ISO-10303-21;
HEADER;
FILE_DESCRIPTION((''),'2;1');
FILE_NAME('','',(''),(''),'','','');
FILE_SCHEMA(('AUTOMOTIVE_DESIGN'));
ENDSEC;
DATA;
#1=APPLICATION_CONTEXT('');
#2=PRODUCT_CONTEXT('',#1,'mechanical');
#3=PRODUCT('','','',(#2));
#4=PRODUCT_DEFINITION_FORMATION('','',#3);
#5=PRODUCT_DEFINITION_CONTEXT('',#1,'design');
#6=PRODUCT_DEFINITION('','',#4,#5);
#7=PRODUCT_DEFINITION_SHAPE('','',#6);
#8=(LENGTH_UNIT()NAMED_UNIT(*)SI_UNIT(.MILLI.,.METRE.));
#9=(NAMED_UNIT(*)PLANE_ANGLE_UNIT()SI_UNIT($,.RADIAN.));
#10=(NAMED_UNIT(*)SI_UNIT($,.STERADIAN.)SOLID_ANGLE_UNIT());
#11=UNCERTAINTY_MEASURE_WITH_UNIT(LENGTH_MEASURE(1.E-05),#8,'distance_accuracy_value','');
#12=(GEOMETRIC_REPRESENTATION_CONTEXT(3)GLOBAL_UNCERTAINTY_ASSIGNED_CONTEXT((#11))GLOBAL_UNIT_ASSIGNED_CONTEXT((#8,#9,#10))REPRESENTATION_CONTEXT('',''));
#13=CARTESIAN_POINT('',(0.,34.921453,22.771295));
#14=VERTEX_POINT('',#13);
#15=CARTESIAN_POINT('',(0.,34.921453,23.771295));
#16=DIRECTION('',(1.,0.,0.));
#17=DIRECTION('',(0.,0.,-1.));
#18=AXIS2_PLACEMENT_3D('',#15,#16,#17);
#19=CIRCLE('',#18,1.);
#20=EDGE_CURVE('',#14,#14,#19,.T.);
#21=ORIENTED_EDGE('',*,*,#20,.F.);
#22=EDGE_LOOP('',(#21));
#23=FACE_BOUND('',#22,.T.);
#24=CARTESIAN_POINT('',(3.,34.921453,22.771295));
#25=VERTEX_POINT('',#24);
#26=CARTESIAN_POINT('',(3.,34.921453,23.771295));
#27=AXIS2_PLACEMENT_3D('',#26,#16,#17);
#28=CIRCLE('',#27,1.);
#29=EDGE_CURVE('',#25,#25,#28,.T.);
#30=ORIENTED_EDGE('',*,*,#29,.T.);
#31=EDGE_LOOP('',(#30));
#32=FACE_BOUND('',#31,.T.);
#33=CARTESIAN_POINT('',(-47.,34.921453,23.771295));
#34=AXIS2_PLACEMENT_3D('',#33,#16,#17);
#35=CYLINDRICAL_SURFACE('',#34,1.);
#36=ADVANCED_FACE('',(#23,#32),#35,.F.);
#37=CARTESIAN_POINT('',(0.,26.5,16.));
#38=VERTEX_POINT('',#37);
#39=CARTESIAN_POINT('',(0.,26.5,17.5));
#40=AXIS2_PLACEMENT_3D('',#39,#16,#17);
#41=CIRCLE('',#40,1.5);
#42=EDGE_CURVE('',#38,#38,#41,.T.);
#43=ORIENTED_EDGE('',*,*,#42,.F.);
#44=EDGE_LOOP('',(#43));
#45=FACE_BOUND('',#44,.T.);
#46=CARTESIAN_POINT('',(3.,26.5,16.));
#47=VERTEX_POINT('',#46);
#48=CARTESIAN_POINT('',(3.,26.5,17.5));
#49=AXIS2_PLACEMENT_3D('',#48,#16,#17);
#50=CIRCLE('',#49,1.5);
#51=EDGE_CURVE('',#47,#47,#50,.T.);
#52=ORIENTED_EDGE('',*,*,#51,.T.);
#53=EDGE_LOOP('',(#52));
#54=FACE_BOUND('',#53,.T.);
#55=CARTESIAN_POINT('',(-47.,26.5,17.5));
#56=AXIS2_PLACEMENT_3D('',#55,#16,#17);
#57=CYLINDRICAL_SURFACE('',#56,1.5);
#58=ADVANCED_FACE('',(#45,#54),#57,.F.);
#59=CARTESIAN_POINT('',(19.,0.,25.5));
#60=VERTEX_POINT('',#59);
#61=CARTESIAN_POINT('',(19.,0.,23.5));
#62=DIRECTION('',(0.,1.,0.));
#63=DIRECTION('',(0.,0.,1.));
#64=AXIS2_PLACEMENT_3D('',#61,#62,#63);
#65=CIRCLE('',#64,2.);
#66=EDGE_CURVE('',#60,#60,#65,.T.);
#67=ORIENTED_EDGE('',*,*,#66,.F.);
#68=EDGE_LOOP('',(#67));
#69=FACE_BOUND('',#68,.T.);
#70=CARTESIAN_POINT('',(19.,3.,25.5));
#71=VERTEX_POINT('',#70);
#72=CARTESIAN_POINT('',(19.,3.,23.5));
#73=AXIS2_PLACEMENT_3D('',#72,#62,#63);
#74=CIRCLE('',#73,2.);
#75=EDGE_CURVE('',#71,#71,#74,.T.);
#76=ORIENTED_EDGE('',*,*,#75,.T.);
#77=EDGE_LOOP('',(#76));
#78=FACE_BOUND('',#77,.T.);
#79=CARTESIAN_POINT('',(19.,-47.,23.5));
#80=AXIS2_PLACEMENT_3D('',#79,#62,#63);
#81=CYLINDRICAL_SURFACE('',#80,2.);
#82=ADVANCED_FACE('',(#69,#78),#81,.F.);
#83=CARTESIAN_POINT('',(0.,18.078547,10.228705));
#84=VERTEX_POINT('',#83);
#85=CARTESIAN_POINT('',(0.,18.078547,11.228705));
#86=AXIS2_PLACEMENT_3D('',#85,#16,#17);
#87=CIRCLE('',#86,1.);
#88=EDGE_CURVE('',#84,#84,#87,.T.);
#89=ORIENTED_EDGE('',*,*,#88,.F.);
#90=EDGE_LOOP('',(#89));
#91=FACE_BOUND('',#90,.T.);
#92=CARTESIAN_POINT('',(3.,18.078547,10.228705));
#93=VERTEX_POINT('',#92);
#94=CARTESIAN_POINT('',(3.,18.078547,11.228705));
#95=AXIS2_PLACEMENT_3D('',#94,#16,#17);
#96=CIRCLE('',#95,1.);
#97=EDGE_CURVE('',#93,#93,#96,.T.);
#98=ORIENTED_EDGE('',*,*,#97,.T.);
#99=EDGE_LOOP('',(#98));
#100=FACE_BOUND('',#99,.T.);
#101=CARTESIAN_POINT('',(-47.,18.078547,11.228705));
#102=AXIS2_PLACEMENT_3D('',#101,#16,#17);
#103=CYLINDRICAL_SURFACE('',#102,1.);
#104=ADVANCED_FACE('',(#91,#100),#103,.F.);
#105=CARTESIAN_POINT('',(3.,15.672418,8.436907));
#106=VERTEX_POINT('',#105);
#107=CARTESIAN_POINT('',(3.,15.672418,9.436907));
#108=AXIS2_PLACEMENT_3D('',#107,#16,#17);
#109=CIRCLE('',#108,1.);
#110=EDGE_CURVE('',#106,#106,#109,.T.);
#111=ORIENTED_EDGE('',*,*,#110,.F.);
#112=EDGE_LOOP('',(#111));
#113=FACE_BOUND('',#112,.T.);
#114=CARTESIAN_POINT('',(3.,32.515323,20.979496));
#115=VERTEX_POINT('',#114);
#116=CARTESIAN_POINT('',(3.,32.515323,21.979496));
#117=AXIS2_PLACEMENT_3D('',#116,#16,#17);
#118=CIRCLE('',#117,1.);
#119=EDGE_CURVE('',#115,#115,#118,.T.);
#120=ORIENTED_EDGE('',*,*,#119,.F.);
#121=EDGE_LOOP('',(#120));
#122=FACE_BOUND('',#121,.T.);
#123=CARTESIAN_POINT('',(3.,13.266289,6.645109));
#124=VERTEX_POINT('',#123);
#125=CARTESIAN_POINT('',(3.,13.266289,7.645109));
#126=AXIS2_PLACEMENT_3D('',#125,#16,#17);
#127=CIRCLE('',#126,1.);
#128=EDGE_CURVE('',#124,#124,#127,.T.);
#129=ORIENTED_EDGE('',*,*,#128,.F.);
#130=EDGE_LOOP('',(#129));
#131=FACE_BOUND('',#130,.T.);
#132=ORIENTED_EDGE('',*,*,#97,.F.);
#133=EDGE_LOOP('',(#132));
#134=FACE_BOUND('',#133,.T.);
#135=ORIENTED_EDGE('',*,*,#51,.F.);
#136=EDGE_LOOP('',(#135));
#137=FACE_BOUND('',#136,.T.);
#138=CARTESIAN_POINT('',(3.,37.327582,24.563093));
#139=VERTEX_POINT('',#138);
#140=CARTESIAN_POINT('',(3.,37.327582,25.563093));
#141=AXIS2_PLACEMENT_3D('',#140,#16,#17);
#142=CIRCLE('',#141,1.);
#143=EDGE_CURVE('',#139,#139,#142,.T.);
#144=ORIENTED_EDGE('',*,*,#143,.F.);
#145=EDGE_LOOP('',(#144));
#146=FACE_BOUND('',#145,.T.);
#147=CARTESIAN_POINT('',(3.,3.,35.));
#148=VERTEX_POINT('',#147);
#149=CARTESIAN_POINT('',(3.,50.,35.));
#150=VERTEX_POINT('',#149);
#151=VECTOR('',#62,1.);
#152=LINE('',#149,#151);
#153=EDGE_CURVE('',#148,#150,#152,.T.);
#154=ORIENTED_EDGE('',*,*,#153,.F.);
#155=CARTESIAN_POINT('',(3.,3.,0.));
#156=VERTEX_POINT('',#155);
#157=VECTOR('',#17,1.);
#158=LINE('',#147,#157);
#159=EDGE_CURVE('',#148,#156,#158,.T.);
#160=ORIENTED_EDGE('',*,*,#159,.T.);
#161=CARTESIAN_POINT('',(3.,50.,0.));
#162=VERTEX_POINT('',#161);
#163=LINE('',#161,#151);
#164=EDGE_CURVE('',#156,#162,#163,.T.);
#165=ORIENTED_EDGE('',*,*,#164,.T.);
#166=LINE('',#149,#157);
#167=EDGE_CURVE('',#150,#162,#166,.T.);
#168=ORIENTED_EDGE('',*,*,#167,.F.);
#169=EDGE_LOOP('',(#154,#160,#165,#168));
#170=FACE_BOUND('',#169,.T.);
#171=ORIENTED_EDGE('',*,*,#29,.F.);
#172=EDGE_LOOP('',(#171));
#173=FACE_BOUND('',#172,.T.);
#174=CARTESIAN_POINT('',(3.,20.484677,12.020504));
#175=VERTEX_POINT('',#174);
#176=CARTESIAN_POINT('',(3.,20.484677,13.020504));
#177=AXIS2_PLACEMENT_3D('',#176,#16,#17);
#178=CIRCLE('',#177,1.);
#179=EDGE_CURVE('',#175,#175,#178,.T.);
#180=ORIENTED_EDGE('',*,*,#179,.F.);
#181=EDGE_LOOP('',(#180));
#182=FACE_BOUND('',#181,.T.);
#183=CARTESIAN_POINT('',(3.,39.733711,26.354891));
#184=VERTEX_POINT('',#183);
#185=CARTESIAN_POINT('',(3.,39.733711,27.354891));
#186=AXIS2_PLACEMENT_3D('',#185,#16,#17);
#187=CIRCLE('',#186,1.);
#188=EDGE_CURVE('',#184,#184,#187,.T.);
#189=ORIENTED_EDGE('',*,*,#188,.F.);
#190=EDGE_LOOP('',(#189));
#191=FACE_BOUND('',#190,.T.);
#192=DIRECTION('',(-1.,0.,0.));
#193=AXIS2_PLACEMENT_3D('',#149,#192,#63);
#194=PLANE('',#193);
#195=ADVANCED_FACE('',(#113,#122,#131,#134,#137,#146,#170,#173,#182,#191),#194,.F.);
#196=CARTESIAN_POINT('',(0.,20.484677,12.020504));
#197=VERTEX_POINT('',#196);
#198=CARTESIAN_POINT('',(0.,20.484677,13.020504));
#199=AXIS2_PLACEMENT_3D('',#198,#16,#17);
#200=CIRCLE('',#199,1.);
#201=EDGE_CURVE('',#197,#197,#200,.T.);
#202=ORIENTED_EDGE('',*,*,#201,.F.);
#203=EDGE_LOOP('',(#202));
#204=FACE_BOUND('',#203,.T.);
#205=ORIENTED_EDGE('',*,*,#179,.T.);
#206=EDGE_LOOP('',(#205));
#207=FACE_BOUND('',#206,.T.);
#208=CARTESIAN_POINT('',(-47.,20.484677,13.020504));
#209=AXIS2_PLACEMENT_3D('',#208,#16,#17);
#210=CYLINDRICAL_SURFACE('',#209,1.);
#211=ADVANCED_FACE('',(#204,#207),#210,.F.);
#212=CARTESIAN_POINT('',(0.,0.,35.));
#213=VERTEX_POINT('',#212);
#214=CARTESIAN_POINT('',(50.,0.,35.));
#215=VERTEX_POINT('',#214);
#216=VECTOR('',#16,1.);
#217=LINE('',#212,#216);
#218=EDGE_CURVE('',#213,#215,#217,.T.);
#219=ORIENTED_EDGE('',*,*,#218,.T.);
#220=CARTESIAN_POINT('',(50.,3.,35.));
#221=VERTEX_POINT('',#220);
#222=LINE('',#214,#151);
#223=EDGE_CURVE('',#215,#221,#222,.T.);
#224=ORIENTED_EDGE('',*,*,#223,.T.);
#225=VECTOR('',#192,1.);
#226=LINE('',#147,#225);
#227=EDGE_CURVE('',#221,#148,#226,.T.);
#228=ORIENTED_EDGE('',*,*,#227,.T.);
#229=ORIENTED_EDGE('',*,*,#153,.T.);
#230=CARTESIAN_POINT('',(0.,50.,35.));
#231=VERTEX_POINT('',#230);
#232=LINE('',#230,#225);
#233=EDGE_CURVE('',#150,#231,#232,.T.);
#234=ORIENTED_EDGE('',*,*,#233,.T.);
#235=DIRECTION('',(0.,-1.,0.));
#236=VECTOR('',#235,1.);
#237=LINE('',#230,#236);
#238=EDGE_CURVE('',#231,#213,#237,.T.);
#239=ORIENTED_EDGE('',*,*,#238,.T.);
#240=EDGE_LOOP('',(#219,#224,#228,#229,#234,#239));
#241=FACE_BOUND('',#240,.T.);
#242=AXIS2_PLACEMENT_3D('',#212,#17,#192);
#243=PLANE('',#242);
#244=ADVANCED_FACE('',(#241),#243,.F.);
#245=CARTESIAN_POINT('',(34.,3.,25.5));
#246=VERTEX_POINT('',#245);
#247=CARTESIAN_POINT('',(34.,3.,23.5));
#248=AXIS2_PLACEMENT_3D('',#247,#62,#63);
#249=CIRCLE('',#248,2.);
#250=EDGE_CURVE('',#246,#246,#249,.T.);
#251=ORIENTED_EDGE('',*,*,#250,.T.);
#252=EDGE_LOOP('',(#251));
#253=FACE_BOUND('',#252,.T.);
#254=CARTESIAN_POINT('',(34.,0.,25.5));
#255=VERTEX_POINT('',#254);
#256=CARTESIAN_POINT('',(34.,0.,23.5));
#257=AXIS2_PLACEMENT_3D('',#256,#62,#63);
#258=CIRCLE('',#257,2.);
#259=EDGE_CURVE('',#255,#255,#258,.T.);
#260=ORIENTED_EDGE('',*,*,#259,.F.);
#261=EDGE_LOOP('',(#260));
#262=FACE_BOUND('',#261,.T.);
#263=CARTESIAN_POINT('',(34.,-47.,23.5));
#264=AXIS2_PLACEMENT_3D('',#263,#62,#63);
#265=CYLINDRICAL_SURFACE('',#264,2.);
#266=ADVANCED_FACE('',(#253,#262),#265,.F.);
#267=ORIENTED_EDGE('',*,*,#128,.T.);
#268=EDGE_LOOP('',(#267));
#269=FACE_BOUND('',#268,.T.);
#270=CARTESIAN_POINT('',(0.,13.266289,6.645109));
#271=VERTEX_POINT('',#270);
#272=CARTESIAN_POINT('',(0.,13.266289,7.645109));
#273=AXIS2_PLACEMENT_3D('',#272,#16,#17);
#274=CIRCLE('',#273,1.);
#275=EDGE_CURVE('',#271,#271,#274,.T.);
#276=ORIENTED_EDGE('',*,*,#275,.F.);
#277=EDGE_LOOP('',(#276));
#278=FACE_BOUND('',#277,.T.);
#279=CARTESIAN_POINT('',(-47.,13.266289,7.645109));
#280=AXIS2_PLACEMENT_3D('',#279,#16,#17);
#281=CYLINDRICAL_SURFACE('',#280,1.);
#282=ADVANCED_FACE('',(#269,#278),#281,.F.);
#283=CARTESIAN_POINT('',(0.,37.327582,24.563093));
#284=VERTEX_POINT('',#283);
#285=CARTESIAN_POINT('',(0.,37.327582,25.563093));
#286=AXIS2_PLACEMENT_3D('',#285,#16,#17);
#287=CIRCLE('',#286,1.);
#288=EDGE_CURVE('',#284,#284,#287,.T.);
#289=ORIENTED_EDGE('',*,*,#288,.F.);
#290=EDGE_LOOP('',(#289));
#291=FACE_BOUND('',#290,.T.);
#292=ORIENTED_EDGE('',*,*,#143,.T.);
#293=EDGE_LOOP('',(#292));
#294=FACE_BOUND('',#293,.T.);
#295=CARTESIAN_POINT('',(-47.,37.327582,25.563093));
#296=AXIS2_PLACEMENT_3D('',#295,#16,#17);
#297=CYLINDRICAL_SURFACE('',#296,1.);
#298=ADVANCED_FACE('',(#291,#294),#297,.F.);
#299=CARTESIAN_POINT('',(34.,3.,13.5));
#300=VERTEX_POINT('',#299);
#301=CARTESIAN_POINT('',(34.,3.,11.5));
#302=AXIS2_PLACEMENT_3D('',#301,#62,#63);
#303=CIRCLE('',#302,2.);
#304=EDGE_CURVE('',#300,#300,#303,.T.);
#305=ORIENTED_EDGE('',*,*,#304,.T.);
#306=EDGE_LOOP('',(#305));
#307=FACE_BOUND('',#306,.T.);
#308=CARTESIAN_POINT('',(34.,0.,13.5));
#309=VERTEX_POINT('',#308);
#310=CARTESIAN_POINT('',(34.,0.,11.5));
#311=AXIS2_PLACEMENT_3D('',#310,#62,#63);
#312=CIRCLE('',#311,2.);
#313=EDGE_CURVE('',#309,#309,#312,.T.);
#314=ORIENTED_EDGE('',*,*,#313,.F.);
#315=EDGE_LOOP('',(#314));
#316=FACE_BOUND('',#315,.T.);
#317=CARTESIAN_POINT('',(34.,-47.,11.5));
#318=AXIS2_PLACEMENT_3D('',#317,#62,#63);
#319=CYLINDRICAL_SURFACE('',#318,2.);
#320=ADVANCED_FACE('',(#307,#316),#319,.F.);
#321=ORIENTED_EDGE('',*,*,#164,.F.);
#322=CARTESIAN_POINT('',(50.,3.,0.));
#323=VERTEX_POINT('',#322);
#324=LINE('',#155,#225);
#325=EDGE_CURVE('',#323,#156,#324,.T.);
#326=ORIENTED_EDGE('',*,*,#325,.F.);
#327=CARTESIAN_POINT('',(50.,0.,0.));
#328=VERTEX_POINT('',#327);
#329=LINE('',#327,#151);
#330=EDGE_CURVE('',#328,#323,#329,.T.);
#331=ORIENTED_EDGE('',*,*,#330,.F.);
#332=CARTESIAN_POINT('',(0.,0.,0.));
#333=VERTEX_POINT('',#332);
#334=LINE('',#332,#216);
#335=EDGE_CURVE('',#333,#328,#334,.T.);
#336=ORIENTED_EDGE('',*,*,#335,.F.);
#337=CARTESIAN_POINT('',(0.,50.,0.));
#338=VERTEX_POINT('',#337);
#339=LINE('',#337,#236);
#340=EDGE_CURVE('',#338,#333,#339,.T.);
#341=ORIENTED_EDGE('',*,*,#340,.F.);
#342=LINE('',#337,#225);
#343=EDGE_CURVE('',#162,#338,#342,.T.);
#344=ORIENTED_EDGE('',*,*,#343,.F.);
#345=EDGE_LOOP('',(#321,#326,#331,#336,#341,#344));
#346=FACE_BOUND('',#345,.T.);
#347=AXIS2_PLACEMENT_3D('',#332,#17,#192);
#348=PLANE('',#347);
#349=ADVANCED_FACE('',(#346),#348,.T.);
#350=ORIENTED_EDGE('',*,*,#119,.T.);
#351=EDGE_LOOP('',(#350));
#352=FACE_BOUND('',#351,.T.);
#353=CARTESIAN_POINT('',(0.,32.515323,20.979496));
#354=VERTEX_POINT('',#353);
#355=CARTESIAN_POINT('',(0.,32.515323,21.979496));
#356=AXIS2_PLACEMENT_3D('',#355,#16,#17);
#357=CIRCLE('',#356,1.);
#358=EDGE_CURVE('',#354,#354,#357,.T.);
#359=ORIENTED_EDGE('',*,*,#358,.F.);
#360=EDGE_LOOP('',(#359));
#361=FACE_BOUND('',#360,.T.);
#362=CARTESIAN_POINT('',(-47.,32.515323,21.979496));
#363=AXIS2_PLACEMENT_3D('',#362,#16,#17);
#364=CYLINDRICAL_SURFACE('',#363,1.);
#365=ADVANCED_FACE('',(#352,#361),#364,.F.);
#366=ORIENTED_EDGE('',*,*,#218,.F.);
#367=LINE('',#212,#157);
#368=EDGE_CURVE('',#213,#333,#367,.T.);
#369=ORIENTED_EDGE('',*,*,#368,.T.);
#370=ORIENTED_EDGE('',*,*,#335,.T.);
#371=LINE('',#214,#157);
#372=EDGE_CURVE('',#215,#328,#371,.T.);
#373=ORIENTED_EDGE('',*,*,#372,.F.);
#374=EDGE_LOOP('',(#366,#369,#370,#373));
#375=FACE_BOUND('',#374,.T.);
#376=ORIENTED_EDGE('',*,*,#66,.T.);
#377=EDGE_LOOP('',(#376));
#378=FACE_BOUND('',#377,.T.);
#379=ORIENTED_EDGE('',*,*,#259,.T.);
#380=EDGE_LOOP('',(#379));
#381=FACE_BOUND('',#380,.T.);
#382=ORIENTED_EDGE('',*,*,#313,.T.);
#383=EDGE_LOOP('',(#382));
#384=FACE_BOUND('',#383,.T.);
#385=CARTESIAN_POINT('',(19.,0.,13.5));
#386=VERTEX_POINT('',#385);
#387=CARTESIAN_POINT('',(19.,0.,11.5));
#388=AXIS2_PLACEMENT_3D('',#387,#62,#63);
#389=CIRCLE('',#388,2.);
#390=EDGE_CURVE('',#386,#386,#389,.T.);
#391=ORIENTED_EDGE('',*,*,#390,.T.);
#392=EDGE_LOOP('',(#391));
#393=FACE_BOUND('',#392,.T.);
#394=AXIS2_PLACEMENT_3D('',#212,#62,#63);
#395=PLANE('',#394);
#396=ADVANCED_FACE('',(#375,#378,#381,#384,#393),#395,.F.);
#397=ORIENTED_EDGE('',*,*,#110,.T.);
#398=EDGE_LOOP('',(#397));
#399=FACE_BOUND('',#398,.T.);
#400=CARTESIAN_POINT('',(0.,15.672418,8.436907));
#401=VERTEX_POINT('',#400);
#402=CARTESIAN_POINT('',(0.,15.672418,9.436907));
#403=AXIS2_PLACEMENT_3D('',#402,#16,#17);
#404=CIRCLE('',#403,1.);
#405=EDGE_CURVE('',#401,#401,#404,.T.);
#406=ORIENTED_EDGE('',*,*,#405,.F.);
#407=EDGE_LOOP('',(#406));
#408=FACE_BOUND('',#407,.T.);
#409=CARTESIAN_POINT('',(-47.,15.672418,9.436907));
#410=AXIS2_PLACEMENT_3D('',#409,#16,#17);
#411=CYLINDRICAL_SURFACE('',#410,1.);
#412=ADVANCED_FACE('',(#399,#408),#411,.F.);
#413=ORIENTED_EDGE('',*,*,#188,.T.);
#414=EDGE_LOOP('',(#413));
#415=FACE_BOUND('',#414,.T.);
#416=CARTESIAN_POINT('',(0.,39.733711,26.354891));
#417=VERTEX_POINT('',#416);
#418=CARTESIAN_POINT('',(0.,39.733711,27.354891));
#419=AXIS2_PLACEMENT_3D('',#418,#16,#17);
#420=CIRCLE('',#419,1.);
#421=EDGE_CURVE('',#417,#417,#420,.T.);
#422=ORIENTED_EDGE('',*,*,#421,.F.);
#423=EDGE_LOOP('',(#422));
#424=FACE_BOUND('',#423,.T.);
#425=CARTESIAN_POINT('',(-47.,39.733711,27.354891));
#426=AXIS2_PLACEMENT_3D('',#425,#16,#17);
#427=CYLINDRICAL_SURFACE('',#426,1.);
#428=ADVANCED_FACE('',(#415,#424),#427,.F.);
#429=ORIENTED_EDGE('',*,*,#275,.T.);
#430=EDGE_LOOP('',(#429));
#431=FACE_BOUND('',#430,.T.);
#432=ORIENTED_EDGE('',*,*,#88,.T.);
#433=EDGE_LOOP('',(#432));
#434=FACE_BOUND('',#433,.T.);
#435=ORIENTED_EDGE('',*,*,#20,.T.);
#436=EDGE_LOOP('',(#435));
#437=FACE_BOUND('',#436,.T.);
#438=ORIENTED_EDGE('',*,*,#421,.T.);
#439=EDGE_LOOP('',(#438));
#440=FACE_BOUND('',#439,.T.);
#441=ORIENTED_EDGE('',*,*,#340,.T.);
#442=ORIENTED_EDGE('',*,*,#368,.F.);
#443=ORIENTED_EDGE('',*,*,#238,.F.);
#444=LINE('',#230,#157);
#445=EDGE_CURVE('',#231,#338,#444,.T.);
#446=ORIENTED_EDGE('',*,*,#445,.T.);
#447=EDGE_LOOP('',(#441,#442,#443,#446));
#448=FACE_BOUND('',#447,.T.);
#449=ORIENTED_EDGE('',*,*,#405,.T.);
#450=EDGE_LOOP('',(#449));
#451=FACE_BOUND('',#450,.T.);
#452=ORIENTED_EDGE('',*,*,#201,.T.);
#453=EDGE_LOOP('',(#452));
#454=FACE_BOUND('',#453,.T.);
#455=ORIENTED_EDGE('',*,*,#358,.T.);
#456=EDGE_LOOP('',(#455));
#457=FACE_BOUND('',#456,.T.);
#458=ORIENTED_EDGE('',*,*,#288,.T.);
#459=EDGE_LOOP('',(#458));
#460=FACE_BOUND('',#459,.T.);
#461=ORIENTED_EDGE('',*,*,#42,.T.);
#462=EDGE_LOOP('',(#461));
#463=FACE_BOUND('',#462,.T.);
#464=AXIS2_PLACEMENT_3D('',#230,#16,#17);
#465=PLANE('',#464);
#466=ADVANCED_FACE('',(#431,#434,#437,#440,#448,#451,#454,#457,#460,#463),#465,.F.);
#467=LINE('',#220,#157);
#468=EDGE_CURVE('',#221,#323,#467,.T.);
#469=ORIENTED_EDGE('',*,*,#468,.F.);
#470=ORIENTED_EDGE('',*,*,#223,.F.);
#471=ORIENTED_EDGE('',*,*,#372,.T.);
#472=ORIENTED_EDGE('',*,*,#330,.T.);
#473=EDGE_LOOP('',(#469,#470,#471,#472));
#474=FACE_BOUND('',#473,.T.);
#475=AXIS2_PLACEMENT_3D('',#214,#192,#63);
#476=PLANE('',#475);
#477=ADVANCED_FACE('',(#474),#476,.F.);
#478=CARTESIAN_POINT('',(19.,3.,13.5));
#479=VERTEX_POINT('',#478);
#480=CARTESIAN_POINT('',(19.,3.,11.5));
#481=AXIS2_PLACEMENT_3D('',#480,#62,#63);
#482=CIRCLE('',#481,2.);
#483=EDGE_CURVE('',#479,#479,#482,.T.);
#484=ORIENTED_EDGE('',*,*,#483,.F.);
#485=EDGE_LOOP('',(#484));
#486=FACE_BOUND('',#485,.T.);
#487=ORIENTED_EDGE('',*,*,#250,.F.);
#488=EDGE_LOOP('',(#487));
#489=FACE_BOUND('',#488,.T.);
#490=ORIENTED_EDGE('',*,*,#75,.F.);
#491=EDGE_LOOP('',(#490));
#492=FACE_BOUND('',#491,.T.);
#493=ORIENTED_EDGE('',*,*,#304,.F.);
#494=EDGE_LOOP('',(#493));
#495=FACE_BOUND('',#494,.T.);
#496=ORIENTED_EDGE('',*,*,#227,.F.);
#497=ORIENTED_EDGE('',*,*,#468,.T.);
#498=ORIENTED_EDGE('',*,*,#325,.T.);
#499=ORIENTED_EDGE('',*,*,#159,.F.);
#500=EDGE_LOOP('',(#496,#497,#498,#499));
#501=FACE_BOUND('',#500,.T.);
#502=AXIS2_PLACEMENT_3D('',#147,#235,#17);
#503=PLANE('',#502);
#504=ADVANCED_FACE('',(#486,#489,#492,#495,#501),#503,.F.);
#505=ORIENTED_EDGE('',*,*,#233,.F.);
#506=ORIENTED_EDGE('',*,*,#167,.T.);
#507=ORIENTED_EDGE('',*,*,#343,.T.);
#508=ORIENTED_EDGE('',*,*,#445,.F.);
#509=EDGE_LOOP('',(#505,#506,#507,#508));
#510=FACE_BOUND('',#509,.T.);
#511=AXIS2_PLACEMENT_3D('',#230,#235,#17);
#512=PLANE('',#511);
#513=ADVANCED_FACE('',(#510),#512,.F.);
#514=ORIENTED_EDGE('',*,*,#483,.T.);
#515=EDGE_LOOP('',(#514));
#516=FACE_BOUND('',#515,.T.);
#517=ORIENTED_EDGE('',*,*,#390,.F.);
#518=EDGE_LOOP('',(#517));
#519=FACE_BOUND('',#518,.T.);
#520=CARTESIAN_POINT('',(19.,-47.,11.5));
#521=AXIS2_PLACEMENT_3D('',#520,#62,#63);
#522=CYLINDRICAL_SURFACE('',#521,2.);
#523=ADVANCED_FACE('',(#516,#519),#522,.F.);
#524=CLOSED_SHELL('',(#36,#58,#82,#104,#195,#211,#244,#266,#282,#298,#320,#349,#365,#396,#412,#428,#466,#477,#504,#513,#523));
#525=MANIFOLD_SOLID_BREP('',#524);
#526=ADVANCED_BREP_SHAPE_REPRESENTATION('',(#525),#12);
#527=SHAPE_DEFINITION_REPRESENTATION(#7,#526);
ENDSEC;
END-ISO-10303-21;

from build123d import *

# Parameters (mm, degrees)
BOSS_EXTRUDE1_DEPTH = 35
SKETCH2_R           = 2
CUT_EXTRUDE1_DEPTH  = 50
SKETCH3_R           = 1.5
SKETCH3_R_2         = 1
CUT_EXTRUDE2_DEPTH  = 50


with BuildPart() as part:
    # Sketch1 → Boss-Extrude1 (new body)
    with BuildSketch(Plane.XY):
        Polygon((0, 50), (0, 0), (50, 0), (50, 3), (3, 3), (3, 50), align=None)
    extrude(amount=BOSS_EXTRUDE1_DEPTH)

    # Sketch2 → Cut-Extrude1 (cut)
    with BuildSketch(Plane(origin=(0, 3, 0), x_dir=(1, 0, 0), z_dir=(0, 1, 0))):
        with Locations(Location((19, -11.5, 0), (0, 0, 270))):
            Circle(SKETCH2_R)
        with Locations(Location((34, -11.5, 0), (0, 0, 270))):
            Circle(SKETCH2_R)
        with Locations(Location((34, -23.5, 0), (0, 0, 270))):
            Circle(SKETCH2_R)
        with Locations(Location((19, -23.5, 0), (0, 0, 270))):
            Circle(SKETCH2_R)
    extrude(amount=-CUT_EXTRUDE1_DEPTH, mode=Mode.SUBTRACT)

    # Sketch3 → Cut-Extrude2 (cut)
    with BuildSketch(Plane(origin=(3, 0, 0), x_dir=(0, 0, -1), z_dir=(1, 0, 0))):
        with Locations((-17.5, 26.5)):
            Circle(SKETCH3_R)
        with Locations((-13.020503905, 20.484676672)):
            Circle(SKETCH3_R_2)
        with Locations((-21.979496095, 32.515323328)):
            Circle(SKETCH3_R_2)
        with Locations((-23.771294533, 34.921452659)):
            Circle(SKETCH3_R_2)
        with Locations((-25.563092971, 37.32758199)):
            Circle(SKETCH3_R_2)
        with Locations((-27.354891409, 39.733711321)):
            Circle(SKETCH3_R_2)
        with Locations((-11.228705467, 18.078547341)):
            Circle(SKETCH3_R_2)
        with Locations((-9.436907029, 15.67241801)):
            Circle(SKETCH3_R_2)
        with Locations((-7.645108591, 13.266288679)):
            Circle(SKETCH3_R_2)
    extrude(amount=-CUT_EXTRUDE2_DEPTH, mode=Mode.SUBTRACT)


solid = part.part
